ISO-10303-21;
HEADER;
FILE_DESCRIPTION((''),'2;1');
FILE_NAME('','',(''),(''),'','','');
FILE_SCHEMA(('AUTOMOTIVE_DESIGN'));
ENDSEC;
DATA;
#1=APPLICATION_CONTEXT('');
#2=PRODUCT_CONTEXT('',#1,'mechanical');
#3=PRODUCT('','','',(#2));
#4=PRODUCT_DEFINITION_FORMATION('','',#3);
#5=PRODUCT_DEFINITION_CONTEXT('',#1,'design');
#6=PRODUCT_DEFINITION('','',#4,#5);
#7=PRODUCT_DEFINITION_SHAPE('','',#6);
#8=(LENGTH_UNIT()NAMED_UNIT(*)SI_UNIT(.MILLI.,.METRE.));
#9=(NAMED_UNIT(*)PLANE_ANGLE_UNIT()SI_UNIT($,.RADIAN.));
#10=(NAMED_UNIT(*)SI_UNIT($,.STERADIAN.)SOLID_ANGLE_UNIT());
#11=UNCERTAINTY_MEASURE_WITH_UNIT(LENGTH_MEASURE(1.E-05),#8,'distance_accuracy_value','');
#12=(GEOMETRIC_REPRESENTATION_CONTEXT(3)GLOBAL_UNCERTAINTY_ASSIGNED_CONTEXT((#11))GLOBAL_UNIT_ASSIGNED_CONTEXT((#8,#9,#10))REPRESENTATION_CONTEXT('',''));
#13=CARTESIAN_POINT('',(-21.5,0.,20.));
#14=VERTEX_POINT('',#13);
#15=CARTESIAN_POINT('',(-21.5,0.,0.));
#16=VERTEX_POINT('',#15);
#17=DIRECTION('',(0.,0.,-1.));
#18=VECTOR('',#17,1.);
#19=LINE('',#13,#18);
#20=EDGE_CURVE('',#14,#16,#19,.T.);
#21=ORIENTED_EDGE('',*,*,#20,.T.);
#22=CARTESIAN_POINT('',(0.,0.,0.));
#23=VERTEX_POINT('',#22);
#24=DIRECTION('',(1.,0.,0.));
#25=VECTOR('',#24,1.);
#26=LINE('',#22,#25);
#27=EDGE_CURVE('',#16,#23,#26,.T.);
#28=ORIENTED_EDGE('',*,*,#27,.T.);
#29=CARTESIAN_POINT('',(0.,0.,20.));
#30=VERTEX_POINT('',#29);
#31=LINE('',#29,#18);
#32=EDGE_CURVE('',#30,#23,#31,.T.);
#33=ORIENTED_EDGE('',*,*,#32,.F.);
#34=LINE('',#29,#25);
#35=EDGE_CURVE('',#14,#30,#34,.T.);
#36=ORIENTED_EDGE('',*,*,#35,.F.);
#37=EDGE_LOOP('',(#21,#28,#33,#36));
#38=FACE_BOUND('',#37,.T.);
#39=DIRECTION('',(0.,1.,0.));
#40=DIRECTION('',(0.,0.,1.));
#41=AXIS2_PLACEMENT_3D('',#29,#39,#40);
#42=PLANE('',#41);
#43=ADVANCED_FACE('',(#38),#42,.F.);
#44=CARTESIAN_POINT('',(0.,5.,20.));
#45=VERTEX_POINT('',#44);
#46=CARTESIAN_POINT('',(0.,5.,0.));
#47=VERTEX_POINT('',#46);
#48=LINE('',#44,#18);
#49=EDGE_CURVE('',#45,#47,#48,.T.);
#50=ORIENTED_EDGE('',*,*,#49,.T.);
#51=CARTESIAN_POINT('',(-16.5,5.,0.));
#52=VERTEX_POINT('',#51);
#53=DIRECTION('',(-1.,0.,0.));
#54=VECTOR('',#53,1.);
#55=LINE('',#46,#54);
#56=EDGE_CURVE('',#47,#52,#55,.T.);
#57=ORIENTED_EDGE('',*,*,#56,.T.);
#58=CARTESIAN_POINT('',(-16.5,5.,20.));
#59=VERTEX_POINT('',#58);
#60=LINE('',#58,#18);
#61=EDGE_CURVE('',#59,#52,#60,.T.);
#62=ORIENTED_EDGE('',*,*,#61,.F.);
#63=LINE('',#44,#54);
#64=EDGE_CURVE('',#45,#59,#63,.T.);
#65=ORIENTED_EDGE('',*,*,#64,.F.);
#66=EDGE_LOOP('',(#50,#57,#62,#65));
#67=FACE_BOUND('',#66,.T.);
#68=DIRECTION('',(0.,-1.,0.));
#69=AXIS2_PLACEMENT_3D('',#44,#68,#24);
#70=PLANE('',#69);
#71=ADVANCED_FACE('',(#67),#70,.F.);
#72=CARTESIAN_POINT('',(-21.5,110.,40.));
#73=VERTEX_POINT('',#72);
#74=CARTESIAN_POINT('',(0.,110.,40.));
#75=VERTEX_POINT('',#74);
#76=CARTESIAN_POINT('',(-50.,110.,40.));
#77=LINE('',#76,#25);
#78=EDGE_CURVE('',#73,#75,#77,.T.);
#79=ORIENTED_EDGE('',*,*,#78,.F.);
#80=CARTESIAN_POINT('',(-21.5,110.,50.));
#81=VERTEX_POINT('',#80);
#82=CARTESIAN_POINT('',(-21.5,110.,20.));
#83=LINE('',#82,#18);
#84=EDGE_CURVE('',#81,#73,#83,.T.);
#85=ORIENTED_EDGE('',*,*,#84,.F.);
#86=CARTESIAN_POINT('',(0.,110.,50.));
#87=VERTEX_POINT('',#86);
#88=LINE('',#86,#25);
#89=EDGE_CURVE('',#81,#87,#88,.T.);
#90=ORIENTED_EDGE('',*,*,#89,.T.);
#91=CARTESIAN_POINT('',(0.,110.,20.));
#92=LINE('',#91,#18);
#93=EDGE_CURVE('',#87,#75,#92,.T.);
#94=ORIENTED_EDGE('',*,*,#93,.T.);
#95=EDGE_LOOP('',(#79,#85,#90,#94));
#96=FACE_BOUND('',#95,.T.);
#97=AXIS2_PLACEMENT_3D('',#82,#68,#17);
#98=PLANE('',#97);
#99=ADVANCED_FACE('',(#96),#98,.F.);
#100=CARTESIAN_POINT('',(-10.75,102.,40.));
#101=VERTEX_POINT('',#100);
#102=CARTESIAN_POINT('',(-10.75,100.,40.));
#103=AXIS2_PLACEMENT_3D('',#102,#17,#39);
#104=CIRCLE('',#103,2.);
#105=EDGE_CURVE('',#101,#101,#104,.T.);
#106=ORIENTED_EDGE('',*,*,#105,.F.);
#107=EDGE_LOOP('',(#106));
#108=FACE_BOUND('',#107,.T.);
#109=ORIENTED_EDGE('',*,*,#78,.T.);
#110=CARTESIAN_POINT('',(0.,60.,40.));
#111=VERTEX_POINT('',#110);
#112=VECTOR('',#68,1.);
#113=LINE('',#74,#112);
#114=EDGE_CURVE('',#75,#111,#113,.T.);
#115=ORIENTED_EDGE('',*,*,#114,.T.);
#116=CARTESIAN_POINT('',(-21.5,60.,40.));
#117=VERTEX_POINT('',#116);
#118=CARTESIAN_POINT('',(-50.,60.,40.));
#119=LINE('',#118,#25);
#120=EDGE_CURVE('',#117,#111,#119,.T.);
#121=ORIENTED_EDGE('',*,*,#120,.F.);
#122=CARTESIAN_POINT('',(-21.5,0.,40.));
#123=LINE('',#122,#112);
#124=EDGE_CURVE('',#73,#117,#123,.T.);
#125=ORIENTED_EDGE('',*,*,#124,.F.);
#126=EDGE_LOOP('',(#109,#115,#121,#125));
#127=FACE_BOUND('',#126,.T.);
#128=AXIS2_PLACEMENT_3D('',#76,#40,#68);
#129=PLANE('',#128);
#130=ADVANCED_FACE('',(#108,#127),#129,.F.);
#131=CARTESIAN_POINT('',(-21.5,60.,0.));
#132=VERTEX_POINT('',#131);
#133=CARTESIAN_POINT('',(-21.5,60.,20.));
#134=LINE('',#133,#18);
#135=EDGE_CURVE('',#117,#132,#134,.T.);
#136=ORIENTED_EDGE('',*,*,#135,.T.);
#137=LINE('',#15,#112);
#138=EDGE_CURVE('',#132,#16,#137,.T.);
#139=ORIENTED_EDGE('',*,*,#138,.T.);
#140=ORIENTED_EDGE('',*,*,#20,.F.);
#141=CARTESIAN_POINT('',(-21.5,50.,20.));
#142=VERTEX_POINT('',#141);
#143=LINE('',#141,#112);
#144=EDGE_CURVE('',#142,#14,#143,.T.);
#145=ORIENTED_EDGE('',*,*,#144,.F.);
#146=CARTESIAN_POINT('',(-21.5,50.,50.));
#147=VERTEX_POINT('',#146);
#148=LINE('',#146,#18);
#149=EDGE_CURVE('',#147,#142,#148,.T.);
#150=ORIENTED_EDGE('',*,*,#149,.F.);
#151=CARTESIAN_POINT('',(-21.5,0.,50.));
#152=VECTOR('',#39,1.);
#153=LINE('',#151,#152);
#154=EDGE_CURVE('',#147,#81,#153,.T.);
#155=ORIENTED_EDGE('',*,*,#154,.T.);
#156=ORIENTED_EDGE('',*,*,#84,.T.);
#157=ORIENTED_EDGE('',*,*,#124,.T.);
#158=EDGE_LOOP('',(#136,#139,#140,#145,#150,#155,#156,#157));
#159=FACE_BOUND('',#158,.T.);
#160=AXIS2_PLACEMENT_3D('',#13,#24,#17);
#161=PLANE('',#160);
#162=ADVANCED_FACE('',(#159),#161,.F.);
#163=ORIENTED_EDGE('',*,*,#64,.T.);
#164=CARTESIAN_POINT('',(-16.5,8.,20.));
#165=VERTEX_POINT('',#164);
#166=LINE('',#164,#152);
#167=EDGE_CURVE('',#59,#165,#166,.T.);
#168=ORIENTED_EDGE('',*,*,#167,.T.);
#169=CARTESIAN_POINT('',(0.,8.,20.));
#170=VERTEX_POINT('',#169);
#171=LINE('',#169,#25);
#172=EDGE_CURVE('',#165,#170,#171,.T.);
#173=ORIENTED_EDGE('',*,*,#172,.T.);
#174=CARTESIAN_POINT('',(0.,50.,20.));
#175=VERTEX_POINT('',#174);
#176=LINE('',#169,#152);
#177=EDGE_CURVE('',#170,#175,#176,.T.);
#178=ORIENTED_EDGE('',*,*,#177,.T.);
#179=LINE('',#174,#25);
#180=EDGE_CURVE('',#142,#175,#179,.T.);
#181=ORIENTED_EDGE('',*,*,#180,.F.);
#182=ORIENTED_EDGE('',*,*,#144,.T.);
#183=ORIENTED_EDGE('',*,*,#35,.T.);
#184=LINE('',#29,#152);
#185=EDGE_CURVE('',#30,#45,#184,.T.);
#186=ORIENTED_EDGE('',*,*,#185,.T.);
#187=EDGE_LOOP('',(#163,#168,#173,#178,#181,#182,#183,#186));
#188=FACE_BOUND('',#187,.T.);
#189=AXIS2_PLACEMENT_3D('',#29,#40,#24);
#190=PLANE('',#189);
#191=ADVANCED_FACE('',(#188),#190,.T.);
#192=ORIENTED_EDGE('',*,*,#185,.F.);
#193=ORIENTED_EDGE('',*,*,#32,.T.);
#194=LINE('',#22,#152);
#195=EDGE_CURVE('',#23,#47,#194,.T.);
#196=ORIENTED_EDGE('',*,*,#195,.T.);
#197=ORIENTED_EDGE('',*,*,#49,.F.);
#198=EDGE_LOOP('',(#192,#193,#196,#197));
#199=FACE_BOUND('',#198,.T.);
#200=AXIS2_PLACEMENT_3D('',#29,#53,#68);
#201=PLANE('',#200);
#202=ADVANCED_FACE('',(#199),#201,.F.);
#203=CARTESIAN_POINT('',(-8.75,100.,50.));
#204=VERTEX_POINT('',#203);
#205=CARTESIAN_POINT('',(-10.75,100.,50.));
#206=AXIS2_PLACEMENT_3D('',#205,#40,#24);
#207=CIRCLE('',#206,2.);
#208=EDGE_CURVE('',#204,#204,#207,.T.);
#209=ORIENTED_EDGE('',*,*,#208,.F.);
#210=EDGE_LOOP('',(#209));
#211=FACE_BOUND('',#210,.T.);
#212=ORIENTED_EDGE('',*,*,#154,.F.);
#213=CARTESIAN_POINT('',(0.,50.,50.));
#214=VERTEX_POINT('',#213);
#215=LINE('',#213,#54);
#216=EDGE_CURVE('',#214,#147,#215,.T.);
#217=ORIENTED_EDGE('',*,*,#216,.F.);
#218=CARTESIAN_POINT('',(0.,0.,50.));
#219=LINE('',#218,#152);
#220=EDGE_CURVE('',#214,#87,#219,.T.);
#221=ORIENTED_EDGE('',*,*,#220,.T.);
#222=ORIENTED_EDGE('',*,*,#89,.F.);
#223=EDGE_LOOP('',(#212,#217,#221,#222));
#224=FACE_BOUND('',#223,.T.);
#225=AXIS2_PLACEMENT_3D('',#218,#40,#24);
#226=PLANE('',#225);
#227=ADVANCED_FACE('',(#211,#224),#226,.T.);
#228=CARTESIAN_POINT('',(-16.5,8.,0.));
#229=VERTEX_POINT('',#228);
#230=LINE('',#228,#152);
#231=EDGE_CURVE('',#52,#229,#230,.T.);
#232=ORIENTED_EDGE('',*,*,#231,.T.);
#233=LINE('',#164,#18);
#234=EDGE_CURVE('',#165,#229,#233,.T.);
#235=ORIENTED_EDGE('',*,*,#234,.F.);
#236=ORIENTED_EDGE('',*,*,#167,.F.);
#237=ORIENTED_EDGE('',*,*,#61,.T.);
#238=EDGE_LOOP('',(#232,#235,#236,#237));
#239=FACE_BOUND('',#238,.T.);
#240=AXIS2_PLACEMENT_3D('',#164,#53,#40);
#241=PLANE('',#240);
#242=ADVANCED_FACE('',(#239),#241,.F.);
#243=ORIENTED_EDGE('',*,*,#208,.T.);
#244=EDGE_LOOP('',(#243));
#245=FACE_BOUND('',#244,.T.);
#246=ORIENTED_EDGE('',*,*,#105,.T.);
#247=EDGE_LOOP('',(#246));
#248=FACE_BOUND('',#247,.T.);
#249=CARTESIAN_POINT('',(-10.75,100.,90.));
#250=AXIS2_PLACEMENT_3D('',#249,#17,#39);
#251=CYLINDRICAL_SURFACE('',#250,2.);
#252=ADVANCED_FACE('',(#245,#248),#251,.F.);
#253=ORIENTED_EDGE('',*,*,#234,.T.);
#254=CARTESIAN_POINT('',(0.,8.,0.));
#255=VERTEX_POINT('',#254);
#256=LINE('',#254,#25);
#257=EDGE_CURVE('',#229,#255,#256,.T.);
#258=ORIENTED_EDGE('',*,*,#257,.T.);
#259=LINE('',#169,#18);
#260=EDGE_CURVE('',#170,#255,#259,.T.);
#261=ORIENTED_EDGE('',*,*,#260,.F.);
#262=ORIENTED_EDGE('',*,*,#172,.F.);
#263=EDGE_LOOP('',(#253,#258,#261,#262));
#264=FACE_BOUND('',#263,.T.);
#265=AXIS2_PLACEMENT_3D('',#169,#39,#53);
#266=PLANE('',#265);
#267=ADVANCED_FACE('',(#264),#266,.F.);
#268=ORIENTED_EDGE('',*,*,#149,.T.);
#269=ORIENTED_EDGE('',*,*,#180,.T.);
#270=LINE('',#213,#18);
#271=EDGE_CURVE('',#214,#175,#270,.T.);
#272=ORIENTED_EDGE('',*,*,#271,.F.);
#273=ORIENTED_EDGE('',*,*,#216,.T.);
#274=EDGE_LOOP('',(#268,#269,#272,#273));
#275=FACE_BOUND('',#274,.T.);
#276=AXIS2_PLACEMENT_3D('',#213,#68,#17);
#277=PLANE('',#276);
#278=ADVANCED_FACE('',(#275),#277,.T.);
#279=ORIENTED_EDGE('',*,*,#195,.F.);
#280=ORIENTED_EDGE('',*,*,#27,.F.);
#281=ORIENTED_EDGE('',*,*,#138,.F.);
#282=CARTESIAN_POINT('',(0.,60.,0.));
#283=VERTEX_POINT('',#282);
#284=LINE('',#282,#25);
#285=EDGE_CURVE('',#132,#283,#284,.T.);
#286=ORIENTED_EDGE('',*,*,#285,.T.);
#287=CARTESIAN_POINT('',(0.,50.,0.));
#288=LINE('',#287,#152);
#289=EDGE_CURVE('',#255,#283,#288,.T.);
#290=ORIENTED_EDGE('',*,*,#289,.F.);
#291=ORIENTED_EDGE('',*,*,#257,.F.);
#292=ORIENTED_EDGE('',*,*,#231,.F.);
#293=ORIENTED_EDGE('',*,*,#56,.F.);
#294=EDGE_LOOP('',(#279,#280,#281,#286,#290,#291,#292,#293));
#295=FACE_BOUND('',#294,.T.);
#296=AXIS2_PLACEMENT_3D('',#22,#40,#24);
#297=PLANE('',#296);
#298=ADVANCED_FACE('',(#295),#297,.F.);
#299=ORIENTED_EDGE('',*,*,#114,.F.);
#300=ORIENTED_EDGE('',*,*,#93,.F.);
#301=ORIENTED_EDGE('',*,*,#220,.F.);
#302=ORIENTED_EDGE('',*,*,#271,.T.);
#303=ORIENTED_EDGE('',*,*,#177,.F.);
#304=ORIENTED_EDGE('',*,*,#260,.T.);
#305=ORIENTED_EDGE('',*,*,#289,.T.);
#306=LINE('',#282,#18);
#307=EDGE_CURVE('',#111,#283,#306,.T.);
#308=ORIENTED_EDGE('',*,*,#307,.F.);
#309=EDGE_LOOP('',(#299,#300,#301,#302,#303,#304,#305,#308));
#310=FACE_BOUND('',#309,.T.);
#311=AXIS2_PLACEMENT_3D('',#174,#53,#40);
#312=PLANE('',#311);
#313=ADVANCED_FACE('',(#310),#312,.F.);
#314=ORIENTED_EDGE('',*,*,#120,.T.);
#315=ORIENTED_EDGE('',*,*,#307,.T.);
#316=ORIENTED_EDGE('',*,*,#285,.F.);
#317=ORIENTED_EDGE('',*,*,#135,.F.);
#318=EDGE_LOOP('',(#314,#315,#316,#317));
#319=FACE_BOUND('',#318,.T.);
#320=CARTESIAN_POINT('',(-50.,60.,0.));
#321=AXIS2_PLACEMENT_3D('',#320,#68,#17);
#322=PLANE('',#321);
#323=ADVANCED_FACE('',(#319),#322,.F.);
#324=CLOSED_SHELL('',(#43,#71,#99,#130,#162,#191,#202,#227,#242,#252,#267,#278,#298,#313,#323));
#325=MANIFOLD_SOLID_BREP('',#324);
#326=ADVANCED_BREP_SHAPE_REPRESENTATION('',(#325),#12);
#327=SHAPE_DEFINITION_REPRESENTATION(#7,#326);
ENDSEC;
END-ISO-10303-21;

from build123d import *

# Parameters (mm, degrees)
BOSS_EXTRUDE1_DEPTH = 20
SKETCH1_2_W         = 21.5
SKETCH1_2_H         = 60
BOSS_EXTRUDE2_DEPTH = 50
SKETCH3_W           = 40
SKETCH3_H           = 50
CUT_EXTRUDE1_DEPTH  = 50
SKETCH4_R           = 2
CUT_EXTRUDE2_DEPTH  = 50


with BuildPart() as part:
    # Sketch1 → Boss-Extrude1 (new body)
    with BuildSketch(Plane.XY):
        Polygon((0, 8), (0, 50), (0, 110), (-21.5, 110), (-21.5, 50), (-21.5, 0), (0, 0), (0, 5), (-16.5, 5), (-16.5, 8), align=None)
    extrude(amount=BOSS_EXTRUDE1_DEPTH)

    # Sketch1<2> → Boss-Extrude2 (add)
    with BuildSketch(Plane.XY):
        with Locations((-10.75, 80)):
            Rectangle(SKETCH1_2_W, SKETCH1_2_H)
    extrude(amount=BOSS_EXTRUDE2_DEPTH)

    # Sketch3 → Cut-Extrude1 (cut)
    with BuildSketch(Plane(origin=(0, 0, 0), x_dir=(0, 0, -1), z_dir=(1, 0, 0))):
        with Locations((-20, 85)):
            Rectangle(SKETCH3_W, SKETCH3_H)
    extrude(amount=-CUT_EXTRUDE1_DEPTH, mode=Mode.SUBTRACT)

    # Sketch4 → Cut-Extrude2 (cut)
    with BuildSketch(Plane(origin=(0, 0, 40), x_dir=(-1, 0, 0), z_dir=(0, 0, -1))):
        with Locations((10.75, 100)):
            Circle(SKETCH4_R)
    extrude(amount=-CUT_EXTRUDE2_DEPTH, mode=Mode.SUBTRACT)


solid = part.part
